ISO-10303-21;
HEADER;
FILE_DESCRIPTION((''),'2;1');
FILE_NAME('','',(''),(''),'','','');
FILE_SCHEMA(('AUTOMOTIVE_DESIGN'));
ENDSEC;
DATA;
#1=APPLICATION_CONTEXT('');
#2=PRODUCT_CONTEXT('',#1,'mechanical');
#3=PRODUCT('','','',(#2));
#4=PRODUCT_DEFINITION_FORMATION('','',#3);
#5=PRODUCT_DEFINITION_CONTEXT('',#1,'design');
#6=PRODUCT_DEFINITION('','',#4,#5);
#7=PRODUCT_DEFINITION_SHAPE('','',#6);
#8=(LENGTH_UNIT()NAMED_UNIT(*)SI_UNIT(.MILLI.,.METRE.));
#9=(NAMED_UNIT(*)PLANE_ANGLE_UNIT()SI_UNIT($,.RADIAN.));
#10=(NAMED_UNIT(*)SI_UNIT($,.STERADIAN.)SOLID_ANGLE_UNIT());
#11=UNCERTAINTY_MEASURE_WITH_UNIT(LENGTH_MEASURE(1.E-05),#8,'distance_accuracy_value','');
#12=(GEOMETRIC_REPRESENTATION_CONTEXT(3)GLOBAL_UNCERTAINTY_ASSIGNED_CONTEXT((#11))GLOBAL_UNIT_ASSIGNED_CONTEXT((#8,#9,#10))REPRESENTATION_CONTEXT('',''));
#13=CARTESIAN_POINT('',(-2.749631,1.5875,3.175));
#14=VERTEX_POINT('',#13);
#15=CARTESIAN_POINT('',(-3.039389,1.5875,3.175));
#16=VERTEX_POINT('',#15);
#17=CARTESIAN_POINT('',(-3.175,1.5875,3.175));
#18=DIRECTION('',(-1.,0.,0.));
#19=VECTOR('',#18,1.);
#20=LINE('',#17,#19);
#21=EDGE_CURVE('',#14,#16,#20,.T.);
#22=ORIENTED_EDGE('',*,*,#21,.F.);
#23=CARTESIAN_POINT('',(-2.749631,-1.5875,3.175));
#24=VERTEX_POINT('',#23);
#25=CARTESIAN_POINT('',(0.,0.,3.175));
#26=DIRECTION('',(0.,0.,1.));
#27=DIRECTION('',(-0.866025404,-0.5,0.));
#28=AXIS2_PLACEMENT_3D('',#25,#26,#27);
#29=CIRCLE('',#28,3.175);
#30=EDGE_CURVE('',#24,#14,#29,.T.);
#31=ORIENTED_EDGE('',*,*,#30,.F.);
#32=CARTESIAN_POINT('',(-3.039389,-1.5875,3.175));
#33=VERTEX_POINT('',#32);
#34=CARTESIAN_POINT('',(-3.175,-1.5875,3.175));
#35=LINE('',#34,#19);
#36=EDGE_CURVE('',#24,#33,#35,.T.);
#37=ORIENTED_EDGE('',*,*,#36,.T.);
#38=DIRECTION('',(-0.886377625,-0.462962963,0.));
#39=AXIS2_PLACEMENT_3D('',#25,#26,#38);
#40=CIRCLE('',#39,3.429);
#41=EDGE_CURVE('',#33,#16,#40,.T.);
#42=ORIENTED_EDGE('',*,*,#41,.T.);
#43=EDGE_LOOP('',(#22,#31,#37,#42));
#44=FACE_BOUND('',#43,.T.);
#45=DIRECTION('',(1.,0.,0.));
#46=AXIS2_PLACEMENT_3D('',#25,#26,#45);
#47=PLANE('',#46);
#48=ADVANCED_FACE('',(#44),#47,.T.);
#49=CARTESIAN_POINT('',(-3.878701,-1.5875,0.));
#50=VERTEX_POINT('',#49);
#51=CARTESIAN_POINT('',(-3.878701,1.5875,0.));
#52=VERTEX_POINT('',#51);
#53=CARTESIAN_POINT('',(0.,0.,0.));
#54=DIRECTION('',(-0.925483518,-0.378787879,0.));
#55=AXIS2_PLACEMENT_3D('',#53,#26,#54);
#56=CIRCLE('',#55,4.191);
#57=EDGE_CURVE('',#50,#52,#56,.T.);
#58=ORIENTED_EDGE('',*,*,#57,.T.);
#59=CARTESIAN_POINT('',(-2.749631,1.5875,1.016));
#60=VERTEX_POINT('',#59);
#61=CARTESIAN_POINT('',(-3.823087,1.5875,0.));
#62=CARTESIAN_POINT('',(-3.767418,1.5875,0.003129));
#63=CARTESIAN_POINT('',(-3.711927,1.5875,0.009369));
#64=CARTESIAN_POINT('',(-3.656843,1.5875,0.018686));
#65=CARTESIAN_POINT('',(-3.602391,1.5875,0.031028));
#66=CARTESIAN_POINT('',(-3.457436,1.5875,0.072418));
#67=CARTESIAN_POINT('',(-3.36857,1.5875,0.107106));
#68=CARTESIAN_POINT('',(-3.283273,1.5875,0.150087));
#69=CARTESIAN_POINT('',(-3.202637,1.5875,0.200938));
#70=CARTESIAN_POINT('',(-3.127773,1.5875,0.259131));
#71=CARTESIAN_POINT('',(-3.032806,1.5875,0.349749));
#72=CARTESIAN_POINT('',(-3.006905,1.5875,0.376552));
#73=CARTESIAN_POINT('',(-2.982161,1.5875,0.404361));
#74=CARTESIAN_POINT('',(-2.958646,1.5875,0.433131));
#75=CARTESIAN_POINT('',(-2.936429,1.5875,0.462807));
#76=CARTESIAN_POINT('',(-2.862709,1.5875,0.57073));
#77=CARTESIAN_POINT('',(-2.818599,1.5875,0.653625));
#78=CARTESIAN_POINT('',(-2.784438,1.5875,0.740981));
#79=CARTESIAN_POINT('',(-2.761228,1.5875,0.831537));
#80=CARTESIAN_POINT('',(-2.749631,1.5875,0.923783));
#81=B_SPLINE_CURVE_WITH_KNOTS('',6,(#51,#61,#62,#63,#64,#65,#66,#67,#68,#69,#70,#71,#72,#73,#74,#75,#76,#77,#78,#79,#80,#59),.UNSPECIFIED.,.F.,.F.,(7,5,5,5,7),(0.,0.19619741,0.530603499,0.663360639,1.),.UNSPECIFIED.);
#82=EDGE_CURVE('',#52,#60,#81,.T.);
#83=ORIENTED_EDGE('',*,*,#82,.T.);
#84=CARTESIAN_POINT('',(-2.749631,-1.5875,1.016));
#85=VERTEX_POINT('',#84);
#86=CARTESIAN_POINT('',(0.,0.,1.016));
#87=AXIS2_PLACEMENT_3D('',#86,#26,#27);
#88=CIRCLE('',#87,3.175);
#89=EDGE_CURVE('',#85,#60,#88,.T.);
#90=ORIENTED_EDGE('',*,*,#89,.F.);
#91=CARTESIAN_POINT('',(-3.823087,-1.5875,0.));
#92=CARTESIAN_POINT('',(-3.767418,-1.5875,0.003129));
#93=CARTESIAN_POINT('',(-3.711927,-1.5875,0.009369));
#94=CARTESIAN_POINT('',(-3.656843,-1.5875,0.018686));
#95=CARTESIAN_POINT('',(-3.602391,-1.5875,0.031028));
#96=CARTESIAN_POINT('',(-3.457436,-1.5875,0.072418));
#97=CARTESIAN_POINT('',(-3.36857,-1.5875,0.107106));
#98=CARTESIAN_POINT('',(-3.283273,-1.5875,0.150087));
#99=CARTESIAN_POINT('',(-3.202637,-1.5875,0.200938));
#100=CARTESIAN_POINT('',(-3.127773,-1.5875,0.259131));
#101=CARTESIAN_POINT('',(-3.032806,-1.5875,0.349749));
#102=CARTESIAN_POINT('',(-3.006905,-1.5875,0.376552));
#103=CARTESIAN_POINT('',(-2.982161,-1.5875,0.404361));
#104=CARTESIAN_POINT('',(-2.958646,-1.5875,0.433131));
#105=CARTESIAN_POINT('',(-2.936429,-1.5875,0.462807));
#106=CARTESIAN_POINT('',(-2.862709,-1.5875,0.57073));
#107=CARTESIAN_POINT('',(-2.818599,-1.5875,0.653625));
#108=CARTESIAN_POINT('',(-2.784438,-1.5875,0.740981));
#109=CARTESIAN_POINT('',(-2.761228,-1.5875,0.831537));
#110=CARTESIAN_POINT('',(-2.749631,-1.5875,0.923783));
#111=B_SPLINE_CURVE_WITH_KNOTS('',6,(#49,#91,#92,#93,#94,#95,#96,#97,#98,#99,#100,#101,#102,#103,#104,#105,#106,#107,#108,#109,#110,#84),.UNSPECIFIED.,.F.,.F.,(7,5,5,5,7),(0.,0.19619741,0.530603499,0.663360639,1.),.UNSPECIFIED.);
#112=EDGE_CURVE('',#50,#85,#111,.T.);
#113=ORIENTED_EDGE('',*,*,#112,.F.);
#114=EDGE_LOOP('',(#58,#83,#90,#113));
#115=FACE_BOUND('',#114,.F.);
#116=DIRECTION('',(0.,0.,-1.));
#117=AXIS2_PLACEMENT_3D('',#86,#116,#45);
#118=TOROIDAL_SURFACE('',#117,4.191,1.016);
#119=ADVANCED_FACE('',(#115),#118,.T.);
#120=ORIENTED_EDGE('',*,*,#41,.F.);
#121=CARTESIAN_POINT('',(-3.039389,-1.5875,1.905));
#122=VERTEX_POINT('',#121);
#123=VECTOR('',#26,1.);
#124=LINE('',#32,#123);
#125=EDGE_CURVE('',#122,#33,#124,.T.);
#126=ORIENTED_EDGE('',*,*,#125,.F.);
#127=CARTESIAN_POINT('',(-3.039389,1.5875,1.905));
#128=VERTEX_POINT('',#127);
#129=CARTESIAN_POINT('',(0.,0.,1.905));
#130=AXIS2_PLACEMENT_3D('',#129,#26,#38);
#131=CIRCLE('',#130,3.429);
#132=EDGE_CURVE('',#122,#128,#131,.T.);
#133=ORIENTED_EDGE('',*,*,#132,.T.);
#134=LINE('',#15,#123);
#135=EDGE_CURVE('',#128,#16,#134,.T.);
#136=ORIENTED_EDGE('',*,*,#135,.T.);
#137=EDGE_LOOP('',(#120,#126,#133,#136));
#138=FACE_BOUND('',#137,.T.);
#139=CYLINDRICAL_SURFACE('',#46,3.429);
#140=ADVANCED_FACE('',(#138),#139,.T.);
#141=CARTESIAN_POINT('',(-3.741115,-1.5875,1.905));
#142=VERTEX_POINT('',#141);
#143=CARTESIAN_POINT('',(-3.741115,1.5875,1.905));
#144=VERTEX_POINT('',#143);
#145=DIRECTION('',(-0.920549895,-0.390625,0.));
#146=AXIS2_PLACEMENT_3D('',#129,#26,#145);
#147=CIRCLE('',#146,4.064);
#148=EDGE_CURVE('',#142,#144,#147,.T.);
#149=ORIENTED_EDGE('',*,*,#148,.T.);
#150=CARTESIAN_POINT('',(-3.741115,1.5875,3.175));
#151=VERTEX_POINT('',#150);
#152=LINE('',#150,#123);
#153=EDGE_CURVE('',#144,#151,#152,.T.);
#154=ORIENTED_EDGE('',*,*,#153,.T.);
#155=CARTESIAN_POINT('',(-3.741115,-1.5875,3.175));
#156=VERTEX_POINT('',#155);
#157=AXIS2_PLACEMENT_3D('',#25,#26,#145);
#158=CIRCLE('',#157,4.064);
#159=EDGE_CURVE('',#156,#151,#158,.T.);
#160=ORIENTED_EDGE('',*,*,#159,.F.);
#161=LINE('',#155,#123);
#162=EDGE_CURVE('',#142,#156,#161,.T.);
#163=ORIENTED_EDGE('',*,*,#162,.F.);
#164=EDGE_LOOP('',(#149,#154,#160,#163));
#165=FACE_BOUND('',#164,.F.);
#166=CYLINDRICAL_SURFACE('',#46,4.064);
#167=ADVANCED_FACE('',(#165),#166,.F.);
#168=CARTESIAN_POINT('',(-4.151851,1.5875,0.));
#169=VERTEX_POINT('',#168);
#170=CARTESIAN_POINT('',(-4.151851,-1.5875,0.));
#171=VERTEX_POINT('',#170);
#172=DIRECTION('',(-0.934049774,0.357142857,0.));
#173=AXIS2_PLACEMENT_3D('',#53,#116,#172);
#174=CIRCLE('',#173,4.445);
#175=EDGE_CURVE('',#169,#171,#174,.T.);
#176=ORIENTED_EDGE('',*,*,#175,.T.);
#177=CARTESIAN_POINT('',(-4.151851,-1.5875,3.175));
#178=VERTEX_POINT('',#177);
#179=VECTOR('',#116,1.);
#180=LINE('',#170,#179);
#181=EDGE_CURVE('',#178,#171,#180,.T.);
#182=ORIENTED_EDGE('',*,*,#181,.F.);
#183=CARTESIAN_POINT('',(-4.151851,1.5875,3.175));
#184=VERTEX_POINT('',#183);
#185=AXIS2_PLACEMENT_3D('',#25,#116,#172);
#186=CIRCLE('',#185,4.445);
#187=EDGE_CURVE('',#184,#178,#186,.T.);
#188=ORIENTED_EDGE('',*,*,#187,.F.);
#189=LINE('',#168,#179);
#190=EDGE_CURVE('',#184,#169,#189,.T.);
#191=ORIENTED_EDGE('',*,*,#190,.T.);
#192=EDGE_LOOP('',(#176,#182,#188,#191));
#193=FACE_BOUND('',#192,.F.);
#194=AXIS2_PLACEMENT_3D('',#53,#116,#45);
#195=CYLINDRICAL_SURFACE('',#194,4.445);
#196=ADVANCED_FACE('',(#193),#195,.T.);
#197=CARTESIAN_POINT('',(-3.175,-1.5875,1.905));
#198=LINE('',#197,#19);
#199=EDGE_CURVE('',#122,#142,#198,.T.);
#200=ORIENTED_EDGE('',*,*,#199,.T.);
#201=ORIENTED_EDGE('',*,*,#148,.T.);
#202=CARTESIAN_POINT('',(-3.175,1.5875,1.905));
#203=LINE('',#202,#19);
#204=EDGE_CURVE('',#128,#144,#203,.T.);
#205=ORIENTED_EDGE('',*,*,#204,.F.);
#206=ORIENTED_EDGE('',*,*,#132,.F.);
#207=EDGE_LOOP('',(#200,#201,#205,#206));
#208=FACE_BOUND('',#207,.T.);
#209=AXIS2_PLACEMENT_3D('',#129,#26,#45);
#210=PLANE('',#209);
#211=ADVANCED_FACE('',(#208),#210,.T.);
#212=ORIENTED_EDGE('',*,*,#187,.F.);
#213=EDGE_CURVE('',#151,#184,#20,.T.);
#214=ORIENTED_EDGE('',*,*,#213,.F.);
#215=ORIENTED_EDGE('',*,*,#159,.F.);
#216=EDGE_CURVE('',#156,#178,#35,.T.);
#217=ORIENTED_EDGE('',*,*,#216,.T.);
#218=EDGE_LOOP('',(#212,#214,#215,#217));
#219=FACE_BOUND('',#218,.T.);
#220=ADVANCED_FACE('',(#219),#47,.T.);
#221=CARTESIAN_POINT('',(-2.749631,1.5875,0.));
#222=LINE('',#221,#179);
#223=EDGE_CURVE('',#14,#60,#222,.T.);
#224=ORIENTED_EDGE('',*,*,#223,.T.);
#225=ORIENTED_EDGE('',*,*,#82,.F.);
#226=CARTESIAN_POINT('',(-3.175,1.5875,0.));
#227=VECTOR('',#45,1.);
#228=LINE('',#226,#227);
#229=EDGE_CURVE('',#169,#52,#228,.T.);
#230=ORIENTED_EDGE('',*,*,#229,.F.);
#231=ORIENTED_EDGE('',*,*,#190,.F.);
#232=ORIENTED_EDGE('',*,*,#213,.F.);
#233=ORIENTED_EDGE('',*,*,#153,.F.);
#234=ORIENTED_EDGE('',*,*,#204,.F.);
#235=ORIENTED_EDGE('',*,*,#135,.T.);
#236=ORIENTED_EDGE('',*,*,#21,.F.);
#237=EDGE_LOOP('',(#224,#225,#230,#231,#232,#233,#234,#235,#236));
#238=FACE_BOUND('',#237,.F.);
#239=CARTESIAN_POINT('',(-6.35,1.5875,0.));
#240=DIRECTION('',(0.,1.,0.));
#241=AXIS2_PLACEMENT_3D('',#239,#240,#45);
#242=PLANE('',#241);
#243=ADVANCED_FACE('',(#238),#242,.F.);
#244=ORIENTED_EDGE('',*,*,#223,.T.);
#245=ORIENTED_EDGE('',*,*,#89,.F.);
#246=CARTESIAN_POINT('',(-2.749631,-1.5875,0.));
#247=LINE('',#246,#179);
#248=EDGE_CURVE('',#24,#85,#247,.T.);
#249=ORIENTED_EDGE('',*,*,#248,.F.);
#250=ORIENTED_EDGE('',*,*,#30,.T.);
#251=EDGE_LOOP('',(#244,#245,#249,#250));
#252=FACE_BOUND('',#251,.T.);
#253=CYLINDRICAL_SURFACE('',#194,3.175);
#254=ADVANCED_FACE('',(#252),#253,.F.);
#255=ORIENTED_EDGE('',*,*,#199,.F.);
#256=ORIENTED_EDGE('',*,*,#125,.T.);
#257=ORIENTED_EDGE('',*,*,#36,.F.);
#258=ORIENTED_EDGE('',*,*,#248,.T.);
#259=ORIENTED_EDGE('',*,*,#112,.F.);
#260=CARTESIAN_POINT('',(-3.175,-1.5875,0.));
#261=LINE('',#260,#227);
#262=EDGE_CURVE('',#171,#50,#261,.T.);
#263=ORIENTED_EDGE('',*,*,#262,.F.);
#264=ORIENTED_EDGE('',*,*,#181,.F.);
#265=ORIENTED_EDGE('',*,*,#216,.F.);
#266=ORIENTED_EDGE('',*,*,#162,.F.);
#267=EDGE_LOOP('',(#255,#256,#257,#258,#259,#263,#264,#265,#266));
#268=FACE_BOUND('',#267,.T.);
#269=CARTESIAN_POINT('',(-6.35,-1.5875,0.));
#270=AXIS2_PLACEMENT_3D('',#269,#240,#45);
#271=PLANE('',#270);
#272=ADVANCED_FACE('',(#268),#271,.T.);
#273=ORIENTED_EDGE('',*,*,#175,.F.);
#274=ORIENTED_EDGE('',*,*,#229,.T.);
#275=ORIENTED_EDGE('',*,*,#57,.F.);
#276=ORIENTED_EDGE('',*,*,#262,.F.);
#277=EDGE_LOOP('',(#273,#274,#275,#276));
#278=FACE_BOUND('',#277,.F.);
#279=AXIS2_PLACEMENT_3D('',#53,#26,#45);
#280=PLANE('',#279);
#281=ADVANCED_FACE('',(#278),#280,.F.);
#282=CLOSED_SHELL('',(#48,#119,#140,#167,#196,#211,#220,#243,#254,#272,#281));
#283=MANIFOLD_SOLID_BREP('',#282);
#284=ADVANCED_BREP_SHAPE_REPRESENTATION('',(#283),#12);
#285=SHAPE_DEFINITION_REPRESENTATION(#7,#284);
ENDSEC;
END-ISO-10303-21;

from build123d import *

# Parameters (mm, degrees)
F0_R     = 4.445
F0_R_2   = 3.175
F1_DEPTH = 3.175
F2_R     = 4.064
F2_R_2   = 3.429
F3_DEPTH = 1.27
F4_R     = 1.016
F5_W     = 6.35
F5_H     = 3.175
F6_DEPTH = 25.4


with BuildPart() as f1:
    # F0 (on Top) → F1 (new body)
    with BuildSketch(Plane.XY):
        Circle(F0_R)
        Circle(F0_R_2, mode=Mode.SUBTRACT)
    extrude(amount=F1_DEPTH)

    # F2 (on face) → F3 (cut)
    with BuildSketch(Plane.XY.offset(3.175)):
        Circle(F2_R)
        Circle(F2_R_2, mode=Mode.SUBTRACT)
    extrude(amount=-F3_DEPTH, mode=Mode.SUBTRACT)

    # F4
    f4_edges = [f1.edges().sort_by_distance(p)[0] for p in [
        (-3.175, 0, 0),
    ]]
    fillet(f4_edges, radius=F4_R)

    # F5 (on Top) → F6 (cut)
    with BuildSketch(Plane.XY):
        with Locations((-3.175, 0)):
            Rectangle(F5_W, F5_H)
    extrude(amount=F6_DEPTH, mode=Mode.SUBTRACT)


solid = f1.part
